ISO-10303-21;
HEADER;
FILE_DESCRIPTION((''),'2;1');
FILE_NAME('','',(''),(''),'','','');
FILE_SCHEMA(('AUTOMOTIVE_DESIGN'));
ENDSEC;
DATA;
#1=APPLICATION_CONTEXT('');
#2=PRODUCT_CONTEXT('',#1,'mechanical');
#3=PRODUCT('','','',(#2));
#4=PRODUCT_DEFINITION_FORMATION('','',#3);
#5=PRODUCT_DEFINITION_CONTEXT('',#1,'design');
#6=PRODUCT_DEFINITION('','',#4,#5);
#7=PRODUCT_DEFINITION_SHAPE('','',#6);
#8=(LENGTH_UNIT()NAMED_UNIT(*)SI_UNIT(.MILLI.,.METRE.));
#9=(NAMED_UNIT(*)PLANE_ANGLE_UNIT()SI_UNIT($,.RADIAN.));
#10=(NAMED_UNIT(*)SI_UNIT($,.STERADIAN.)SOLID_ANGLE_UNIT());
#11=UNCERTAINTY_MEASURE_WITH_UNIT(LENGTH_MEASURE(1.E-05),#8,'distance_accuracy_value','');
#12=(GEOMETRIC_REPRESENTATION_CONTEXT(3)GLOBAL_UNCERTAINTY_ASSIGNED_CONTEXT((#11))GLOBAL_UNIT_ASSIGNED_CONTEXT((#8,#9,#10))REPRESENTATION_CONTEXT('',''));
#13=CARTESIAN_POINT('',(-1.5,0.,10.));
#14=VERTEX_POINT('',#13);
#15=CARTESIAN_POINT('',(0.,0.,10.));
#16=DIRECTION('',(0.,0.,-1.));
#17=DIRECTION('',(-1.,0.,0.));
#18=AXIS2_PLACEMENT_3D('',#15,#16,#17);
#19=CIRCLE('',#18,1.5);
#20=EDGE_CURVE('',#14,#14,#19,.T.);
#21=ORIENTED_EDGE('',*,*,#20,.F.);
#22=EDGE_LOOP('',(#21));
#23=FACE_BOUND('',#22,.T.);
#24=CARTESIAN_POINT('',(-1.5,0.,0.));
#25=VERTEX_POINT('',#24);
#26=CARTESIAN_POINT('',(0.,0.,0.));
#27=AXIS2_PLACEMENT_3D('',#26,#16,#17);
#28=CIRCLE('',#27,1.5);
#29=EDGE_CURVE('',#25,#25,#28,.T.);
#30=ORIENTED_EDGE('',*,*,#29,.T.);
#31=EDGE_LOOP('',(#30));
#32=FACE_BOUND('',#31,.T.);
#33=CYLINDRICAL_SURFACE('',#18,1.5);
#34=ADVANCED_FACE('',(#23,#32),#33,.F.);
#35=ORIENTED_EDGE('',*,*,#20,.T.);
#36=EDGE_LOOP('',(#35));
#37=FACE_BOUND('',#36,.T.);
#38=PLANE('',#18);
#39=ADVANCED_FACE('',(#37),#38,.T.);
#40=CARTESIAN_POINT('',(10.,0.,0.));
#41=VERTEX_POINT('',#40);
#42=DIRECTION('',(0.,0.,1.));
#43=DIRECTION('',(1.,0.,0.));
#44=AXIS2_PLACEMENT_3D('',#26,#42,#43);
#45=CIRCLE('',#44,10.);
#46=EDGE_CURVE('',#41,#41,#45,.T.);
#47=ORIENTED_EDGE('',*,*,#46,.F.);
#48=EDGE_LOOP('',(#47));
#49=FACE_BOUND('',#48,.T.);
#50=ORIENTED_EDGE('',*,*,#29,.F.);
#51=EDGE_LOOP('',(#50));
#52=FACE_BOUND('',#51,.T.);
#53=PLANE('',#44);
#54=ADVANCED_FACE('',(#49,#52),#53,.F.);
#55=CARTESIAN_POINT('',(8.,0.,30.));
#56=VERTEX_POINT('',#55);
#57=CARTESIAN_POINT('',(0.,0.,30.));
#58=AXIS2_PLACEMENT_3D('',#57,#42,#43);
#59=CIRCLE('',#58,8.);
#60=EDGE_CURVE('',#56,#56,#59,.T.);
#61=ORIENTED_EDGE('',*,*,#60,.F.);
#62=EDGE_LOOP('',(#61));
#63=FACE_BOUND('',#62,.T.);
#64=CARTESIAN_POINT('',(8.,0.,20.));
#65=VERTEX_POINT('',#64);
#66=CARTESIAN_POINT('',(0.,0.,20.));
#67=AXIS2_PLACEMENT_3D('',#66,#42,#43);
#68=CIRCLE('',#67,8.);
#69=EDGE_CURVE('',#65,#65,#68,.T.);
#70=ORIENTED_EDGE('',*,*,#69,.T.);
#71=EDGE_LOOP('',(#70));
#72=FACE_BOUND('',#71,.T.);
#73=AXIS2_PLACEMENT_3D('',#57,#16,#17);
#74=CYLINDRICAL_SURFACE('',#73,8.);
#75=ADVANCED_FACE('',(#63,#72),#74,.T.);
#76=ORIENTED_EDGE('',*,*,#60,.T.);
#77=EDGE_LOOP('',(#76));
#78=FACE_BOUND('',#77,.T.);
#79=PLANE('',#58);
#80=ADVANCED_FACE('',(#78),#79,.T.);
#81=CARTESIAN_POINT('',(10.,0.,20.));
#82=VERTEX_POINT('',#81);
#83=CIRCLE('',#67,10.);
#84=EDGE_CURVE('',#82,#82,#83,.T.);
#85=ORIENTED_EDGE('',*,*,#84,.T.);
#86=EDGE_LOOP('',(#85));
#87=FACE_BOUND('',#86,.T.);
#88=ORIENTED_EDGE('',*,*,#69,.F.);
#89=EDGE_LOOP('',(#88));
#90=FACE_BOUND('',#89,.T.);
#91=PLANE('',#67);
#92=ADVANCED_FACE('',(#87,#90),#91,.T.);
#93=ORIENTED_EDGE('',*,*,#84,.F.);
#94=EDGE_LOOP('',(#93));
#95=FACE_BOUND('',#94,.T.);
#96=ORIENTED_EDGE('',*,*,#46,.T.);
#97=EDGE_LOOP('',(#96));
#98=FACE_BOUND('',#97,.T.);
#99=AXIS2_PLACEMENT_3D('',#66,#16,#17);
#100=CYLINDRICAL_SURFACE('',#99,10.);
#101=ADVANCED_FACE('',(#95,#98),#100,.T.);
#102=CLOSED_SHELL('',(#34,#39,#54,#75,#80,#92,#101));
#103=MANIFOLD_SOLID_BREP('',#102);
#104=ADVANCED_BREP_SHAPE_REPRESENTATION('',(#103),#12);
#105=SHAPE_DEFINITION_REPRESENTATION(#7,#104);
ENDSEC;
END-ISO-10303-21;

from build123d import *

# Parameters (mm, degrees)
SKETCH_1_R          = 10
EXTRUDE_1_DEPTH     = 20
SKETCH_2_R          = 1.5
CUT_EXTRUDE_1_DEPTH = 10
SKETCH_3_R          = 8
EXTRUDE_2_DEPTH     = 10


with BuildPart() as part:
    # 스케치1 → 보스-돌출1 (new body)
    with BuildSketch(Plane.XY):
        Circle(SKETCH_1_R)
    extrude(amount=EXTRUDE_1_DEPTH)

    # 스케치2 → 컷-돌출1 (cut)
    with BuildSketch(Plane(origin=(0, 0, 0), x_dir=(-1, 0, 0), z_dir=(0, 0, -1))):
        Circle(SKETCH_2_R)
    extrude(amount=-CUT_EXTRUDE_1_DEPTH, mode=Mode.SUBTRACT)

    # 스케치3 → 보스-돌출2 (add)
    with BuildSketch(Plane.XY.offset(20)):
        Circle(SKETCH_3_R)
    extrude(amount=EXTRUDE_2_DEPTH)


solid = part.part
